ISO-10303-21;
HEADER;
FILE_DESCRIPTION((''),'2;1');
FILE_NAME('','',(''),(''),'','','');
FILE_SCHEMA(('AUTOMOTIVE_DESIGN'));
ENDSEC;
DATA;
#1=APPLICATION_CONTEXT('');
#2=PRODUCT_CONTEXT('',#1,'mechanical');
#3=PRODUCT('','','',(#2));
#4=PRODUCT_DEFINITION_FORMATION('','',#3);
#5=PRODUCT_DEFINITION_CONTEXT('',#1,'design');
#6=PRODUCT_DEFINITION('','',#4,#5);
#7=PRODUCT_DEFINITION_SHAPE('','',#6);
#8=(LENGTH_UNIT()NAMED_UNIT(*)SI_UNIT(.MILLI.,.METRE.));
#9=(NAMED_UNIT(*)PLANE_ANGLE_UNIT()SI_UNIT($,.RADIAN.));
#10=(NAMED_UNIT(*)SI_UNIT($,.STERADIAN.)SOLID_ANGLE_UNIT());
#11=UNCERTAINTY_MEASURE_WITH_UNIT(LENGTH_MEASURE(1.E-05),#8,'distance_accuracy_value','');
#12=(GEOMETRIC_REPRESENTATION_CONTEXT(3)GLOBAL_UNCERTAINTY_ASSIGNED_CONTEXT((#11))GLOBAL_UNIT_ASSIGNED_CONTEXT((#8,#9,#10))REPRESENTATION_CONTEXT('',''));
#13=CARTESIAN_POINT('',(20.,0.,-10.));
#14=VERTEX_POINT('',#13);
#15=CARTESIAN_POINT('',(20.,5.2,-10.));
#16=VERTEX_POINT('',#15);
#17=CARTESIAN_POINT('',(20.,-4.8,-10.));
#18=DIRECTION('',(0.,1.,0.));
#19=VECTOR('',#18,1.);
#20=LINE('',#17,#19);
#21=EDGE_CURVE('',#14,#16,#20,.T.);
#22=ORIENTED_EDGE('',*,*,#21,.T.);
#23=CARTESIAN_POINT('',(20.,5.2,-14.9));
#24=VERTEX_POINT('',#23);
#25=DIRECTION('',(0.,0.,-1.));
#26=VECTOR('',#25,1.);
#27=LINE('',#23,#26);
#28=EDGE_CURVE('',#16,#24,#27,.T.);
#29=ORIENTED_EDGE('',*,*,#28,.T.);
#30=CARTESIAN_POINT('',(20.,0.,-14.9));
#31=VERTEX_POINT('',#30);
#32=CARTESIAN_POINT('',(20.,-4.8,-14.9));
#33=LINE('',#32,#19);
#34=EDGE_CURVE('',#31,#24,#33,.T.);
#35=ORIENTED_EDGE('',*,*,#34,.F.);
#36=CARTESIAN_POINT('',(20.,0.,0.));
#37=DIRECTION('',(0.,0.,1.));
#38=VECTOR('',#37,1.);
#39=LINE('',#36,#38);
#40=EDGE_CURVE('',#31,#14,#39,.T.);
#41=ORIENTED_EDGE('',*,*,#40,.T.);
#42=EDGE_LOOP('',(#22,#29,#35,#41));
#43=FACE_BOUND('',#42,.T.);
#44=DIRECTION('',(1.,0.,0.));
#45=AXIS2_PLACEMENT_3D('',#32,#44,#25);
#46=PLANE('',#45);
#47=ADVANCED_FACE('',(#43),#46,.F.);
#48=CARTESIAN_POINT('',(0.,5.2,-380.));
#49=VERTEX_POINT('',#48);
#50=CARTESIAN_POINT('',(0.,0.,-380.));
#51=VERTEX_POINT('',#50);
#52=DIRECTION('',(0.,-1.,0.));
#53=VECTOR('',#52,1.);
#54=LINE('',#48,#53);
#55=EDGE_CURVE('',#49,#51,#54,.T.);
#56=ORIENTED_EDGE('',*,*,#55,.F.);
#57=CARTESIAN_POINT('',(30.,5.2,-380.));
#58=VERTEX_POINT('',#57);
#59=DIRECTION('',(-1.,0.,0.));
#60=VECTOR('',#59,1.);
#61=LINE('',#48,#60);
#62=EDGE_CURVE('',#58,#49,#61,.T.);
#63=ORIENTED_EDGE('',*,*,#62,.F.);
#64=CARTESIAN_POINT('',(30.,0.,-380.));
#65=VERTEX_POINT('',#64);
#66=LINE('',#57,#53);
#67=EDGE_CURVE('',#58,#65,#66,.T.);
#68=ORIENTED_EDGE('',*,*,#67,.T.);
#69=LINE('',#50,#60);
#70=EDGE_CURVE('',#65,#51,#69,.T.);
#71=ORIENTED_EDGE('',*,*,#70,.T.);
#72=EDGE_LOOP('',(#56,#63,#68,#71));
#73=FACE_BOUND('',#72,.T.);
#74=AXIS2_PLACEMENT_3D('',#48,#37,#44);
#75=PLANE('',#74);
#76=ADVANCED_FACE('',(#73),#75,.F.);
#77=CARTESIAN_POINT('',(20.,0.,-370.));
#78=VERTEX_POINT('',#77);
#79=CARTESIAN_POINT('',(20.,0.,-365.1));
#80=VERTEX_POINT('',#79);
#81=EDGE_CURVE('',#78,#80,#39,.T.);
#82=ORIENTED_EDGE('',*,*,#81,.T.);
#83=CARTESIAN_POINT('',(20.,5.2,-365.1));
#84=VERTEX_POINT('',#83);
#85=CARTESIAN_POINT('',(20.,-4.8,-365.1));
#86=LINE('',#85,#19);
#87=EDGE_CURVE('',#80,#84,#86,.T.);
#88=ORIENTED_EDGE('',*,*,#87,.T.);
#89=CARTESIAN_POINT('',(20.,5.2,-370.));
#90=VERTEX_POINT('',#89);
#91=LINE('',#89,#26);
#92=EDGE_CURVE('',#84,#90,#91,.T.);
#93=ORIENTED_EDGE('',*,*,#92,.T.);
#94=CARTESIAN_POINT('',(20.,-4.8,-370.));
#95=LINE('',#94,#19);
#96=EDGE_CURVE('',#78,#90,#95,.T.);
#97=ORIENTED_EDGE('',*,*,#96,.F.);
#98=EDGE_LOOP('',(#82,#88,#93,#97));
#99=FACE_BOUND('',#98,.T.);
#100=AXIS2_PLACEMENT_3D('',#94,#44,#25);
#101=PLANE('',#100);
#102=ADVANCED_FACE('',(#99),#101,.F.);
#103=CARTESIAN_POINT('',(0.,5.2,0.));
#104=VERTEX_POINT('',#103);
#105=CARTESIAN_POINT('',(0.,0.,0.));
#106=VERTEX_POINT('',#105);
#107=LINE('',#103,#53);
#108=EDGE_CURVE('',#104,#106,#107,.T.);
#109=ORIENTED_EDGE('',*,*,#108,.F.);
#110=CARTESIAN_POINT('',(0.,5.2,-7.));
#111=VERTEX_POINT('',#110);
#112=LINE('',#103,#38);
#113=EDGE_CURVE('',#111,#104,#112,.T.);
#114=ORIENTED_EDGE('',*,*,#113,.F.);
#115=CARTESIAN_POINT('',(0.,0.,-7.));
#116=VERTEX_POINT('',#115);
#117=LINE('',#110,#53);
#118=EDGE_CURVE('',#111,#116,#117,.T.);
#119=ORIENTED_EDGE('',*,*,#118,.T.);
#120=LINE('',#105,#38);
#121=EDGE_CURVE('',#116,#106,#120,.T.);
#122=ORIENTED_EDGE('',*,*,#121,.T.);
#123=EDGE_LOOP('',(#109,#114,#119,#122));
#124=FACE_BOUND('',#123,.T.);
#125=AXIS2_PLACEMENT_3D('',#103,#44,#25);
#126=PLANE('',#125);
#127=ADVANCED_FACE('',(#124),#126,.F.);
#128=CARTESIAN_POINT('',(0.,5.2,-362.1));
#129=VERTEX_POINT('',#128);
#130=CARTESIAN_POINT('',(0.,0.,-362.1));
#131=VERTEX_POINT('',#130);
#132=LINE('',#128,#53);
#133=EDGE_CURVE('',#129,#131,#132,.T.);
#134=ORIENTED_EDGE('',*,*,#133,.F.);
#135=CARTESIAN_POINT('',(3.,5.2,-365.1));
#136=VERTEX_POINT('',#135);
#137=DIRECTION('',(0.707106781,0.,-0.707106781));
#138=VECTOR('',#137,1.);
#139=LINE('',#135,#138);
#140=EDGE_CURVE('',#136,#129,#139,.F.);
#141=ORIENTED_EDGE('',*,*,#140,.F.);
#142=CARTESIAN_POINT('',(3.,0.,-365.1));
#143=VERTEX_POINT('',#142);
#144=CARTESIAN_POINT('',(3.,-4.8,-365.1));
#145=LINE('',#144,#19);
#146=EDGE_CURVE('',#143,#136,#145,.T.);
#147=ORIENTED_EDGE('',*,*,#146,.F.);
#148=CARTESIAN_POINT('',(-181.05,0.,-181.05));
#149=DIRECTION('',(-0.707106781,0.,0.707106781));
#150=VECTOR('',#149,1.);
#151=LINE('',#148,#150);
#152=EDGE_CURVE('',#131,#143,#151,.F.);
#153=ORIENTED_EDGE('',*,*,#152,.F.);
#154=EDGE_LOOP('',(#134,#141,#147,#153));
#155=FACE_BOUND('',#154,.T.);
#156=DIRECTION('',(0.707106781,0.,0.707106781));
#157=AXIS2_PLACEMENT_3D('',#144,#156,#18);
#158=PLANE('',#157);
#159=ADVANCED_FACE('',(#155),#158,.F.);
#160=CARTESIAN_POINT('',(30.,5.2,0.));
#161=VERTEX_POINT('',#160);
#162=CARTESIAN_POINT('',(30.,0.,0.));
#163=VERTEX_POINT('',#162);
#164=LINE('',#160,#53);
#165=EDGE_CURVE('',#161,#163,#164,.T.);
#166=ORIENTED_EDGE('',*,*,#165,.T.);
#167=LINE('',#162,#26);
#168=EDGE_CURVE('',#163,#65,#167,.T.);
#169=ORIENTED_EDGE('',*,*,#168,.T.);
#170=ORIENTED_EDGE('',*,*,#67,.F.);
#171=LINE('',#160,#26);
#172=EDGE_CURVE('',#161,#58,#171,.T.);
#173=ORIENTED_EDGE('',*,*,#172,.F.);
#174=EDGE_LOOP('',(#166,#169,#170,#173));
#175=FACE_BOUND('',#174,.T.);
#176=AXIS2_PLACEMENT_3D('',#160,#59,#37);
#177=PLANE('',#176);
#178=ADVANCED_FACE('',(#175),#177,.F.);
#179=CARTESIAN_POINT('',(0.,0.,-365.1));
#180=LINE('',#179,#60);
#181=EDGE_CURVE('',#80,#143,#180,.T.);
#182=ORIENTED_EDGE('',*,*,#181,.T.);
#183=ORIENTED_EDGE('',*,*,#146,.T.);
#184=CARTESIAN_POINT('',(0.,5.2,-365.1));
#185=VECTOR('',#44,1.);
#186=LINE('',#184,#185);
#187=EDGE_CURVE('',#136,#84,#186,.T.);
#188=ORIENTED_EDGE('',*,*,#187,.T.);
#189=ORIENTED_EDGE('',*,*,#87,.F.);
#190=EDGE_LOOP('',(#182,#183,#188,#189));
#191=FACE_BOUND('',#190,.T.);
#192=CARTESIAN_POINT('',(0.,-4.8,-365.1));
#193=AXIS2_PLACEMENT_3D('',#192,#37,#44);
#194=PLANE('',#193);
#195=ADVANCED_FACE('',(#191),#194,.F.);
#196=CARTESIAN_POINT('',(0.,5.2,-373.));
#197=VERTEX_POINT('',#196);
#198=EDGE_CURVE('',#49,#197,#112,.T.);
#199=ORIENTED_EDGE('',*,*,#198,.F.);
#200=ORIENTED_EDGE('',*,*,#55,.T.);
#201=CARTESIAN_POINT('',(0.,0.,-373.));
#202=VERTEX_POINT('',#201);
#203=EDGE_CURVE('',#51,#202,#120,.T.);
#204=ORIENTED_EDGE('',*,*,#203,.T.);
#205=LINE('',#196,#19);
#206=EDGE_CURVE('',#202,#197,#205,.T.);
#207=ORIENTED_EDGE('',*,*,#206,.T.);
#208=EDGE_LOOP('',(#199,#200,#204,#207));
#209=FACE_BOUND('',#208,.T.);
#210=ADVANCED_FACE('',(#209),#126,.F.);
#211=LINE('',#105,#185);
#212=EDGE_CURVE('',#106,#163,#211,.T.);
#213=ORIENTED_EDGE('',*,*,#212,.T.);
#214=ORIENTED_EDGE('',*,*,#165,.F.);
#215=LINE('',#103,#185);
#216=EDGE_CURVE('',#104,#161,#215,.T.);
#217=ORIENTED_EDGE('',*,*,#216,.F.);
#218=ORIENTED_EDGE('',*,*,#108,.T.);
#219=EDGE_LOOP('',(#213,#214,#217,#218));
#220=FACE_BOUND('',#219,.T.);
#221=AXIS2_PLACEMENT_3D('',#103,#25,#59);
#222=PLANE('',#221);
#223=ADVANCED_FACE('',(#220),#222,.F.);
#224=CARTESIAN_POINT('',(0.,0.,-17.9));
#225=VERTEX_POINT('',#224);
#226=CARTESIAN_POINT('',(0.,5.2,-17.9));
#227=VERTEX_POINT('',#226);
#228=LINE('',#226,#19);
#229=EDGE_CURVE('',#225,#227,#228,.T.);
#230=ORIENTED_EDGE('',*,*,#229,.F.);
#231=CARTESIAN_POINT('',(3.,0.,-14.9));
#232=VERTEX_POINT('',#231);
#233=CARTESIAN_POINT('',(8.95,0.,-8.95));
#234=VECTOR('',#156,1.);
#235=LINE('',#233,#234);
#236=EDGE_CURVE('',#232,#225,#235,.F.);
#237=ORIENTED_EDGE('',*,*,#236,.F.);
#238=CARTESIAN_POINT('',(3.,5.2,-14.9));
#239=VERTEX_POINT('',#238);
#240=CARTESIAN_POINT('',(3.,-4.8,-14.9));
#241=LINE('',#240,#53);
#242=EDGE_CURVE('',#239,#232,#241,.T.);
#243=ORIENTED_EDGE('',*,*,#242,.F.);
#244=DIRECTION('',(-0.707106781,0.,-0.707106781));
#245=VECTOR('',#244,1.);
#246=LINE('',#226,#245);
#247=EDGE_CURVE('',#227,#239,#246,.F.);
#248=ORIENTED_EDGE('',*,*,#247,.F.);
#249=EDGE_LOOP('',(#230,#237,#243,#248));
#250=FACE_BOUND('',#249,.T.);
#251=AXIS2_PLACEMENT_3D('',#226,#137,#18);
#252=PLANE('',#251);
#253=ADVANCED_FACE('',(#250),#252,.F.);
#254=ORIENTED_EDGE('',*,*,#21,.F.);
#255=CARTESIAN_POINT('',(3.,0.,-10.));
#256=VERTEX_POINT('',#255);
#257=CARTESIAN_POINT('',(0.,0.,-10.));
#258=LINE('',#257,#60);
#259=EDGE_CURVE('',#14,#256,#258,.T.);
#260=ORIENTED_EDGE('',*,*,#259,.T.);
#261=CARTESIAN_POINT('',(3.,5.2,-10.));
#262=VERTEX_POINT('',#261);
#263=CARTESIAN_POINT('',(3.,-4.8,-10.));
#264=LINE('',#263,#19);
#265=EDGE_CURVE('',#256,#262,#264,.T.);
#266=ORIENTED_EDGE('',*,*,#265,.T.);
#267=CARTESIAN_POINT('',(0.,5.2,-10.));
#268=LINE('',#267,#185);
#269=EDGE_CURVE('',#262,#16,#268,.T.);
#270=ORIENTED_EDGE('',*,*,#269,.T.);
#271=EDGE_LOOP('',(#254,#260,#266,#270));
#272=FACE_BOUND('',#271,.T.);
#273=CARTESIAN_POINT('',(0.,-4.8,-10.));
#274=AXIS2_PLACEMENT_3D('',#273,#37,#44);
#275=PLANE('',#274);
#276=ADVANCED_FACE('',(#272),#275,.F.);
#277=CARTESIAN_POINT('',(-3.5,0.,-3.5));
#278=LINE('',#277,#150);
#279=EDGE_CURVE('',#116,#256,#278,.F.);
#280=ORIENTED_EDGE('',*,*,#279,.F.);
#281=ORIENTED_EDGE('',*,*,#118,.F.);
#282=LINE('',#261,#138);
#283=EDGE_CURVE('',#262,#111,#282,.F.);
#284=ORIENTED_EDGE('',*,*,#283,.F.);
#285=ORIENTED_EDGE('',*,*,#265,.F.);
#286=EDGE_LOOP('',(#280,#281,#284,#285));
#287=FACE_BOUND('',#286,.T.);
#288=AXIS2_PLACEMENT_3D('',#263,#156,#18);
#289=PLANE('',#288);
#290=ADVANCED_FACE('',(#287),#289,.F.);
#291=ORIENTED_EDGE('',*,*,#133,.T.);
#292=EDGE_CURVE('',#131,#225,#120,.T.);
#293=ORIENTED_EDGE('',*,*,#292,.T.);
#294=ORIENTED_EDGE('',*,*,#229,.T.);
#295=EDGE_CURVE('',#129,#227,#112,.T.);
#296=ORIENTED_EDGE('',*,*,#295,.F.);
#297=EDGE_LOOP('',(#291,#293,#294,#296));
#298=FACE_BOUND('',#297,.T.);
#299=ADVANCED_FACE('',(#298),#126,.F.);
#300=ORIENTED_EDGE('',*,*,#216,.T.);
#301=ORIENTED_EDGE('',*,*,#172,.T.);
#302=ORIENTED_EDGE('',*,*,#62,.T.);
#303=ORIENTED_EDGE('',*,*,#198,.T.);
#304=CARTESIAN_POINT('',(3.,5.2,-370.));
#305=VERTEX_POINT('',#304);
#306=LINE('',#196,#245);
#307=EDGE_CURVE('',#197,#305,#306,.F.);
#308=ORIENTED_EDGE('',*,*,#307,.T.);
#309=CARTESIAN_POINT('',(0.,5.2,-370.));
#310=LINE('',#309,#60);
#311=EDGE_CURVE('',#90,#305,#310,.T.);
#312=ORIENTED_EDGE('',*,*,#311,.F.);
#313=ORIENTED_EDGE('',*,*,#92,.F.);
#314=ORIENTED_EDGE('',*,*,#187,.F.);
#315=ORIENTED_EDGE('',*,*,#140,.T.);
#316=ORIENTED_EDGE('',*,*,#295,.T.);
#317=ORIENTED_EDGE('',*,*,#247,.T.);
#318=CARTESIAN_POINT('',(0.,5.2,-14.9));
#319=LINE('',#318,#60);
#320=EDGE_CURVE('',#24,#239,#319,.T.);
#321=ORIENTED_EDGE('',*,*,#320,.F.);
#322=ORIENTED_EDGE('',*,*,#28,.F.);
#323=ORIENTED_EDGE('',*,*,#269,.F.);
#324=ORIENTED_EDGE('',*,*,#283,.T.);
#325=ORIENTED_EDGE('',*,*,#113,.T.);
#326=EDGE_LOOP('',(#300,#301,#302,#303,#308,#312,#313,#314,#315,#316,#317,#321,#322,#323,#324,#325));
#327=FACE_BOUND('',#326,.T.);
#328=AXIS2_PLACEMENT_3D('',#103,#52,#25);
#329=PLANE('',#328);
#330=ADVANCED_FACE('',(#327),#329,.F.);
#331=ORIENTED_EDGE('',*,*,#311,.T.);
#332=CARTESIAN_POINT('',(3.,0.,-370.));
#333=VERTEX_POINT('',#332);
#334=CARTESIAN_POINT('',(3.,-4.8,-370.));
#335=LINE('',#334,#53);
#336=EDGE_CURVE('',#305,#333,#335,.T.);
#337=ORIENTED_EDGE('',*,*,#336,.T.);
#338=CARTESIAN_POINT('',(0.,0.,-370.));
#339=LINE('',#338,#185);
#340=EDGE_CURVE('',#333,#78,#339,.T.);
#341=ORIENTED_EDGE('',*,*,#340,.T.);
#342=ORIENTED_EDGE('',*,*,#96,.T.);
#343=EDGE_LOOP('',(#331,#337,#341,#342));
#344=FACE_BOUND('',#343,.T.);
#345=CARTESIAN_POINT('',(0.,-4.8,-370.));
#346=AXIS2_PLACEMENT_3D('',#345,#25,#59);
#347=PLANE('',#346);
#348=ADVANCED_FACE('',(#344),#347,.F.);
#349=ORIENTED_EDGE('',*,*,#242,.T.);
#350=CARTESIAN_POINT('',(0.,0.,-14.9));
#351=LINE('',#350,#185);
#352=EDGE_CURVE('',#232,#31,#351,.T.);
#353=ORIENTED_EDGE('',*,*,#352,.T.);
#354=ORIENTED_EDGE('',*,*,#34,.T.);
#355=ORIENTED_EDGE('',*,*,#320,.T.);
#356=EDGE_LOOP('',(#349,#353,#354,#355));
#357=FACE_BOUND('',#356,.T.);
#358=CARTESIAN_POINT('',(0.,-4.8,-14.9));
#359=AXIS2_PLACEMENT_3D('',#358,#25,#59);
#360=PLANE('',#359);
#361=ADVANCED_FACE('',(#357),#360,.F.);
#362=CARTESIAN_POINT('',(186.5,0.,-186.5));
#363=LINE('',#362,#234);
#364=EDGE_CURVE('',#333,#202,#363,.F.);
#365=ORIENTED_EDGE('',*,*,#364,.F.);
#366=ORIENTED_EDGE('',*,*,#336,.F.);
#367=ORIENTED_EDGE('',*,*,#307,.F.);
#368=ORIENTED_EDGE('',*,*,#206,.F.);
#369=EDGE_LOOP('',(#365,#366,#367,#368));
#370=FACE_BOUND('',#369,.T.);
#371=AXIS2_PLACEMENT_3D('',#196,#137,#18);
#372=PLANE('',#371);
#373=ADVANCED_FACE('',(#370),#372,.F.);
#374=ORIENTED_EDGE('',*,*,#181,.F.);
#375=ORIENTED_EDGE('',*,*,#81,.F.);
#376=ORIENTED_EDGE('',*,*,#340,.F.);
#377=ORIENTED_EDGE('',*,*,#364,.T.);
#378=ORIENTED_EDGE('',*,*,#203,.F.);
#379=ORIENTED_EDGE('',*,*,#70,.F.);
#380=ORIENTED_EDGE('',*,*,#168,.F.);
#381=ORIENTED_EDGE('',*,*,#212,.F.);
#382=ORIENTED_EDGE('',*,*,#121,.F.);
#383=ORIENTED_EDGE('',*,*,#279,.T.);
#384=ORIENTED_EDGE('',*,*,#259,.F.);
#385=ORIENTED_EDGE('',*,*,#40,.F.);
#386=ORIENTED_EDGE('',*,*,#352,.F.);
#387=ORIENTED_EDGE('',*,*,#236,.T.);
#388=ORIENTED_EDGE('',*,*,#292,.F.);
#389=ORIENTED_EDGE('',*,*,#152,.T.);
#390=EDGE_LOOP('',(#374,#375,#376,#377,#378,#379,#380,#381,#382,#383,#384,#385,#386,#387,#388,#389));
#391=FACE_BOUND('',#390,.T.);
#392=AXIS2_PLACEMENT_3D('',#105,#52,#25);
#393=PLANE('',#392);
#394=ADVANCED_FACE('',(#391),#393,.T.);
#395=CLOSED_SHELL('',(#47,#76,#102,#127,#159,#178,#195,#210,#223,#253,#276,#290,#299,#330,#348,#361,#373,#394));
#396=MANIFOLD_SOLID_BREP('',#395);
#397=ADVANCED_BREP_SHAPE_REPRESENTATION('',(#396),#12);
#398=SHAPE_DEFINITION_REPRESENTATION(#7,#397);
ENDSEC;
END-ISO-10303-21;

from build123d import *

# Parameters (mm, degrees)
SKETCH1_W           = 30
SKETCH1_H           = 380
BOSS_EXTRUDE1_DEPTH = 5.2
SKETCH2_W           = 20
SKETCH2_H           = 4.9
CUT_EXTRUDE1_DEPTH  = 10
CHAMFER1_SIZE       = 3


with BuildPart() as part:
    # Sketch1 → Boss-Extrude1 (new body)
    with BuildSketch(Plane(origin=(0, 0, 0), x_dir=(1, 0, 0), z_dir=(0, 1, 0))):
        with Locations((15, 190)):
            Rectangle(SKETCH1_W, SKETCH1_H)
    extrude(amount=BOSS_EXTRUDE1_DEPTH)

    # Sketch2 → Cut-Extrude1 (cut)
    with BuildSketch(Plane(origin=(0, 5.2, 0), x_dir=(1, 0, 0), z_dir=(0, 1, 0))):
        with Locations((10, 367.55)):
            Rectangle(SKETCH2_W, SKETCH2_H)
        with Locations((10, 12.45)):
            Rectangle(SKETCH2_W, SKETCH2_H)
    extrude(amount=-CUT_EXTRUDE1_DEPTH, mode=Mode.SUBTRACT)

    # Chamfer1
    chamfer1_edges = [part.edges().sort_by_distance(p)[0] for p in [
        (0, 2.6, -365.1),
        (0, 2.6, -370),
        (0, 2.6, -10),
        (0, 2.6, -14.9),
    ]]
    chamfer(chamfer1_edges, length=CHAMFER1_SIZE)


solid = part.part
